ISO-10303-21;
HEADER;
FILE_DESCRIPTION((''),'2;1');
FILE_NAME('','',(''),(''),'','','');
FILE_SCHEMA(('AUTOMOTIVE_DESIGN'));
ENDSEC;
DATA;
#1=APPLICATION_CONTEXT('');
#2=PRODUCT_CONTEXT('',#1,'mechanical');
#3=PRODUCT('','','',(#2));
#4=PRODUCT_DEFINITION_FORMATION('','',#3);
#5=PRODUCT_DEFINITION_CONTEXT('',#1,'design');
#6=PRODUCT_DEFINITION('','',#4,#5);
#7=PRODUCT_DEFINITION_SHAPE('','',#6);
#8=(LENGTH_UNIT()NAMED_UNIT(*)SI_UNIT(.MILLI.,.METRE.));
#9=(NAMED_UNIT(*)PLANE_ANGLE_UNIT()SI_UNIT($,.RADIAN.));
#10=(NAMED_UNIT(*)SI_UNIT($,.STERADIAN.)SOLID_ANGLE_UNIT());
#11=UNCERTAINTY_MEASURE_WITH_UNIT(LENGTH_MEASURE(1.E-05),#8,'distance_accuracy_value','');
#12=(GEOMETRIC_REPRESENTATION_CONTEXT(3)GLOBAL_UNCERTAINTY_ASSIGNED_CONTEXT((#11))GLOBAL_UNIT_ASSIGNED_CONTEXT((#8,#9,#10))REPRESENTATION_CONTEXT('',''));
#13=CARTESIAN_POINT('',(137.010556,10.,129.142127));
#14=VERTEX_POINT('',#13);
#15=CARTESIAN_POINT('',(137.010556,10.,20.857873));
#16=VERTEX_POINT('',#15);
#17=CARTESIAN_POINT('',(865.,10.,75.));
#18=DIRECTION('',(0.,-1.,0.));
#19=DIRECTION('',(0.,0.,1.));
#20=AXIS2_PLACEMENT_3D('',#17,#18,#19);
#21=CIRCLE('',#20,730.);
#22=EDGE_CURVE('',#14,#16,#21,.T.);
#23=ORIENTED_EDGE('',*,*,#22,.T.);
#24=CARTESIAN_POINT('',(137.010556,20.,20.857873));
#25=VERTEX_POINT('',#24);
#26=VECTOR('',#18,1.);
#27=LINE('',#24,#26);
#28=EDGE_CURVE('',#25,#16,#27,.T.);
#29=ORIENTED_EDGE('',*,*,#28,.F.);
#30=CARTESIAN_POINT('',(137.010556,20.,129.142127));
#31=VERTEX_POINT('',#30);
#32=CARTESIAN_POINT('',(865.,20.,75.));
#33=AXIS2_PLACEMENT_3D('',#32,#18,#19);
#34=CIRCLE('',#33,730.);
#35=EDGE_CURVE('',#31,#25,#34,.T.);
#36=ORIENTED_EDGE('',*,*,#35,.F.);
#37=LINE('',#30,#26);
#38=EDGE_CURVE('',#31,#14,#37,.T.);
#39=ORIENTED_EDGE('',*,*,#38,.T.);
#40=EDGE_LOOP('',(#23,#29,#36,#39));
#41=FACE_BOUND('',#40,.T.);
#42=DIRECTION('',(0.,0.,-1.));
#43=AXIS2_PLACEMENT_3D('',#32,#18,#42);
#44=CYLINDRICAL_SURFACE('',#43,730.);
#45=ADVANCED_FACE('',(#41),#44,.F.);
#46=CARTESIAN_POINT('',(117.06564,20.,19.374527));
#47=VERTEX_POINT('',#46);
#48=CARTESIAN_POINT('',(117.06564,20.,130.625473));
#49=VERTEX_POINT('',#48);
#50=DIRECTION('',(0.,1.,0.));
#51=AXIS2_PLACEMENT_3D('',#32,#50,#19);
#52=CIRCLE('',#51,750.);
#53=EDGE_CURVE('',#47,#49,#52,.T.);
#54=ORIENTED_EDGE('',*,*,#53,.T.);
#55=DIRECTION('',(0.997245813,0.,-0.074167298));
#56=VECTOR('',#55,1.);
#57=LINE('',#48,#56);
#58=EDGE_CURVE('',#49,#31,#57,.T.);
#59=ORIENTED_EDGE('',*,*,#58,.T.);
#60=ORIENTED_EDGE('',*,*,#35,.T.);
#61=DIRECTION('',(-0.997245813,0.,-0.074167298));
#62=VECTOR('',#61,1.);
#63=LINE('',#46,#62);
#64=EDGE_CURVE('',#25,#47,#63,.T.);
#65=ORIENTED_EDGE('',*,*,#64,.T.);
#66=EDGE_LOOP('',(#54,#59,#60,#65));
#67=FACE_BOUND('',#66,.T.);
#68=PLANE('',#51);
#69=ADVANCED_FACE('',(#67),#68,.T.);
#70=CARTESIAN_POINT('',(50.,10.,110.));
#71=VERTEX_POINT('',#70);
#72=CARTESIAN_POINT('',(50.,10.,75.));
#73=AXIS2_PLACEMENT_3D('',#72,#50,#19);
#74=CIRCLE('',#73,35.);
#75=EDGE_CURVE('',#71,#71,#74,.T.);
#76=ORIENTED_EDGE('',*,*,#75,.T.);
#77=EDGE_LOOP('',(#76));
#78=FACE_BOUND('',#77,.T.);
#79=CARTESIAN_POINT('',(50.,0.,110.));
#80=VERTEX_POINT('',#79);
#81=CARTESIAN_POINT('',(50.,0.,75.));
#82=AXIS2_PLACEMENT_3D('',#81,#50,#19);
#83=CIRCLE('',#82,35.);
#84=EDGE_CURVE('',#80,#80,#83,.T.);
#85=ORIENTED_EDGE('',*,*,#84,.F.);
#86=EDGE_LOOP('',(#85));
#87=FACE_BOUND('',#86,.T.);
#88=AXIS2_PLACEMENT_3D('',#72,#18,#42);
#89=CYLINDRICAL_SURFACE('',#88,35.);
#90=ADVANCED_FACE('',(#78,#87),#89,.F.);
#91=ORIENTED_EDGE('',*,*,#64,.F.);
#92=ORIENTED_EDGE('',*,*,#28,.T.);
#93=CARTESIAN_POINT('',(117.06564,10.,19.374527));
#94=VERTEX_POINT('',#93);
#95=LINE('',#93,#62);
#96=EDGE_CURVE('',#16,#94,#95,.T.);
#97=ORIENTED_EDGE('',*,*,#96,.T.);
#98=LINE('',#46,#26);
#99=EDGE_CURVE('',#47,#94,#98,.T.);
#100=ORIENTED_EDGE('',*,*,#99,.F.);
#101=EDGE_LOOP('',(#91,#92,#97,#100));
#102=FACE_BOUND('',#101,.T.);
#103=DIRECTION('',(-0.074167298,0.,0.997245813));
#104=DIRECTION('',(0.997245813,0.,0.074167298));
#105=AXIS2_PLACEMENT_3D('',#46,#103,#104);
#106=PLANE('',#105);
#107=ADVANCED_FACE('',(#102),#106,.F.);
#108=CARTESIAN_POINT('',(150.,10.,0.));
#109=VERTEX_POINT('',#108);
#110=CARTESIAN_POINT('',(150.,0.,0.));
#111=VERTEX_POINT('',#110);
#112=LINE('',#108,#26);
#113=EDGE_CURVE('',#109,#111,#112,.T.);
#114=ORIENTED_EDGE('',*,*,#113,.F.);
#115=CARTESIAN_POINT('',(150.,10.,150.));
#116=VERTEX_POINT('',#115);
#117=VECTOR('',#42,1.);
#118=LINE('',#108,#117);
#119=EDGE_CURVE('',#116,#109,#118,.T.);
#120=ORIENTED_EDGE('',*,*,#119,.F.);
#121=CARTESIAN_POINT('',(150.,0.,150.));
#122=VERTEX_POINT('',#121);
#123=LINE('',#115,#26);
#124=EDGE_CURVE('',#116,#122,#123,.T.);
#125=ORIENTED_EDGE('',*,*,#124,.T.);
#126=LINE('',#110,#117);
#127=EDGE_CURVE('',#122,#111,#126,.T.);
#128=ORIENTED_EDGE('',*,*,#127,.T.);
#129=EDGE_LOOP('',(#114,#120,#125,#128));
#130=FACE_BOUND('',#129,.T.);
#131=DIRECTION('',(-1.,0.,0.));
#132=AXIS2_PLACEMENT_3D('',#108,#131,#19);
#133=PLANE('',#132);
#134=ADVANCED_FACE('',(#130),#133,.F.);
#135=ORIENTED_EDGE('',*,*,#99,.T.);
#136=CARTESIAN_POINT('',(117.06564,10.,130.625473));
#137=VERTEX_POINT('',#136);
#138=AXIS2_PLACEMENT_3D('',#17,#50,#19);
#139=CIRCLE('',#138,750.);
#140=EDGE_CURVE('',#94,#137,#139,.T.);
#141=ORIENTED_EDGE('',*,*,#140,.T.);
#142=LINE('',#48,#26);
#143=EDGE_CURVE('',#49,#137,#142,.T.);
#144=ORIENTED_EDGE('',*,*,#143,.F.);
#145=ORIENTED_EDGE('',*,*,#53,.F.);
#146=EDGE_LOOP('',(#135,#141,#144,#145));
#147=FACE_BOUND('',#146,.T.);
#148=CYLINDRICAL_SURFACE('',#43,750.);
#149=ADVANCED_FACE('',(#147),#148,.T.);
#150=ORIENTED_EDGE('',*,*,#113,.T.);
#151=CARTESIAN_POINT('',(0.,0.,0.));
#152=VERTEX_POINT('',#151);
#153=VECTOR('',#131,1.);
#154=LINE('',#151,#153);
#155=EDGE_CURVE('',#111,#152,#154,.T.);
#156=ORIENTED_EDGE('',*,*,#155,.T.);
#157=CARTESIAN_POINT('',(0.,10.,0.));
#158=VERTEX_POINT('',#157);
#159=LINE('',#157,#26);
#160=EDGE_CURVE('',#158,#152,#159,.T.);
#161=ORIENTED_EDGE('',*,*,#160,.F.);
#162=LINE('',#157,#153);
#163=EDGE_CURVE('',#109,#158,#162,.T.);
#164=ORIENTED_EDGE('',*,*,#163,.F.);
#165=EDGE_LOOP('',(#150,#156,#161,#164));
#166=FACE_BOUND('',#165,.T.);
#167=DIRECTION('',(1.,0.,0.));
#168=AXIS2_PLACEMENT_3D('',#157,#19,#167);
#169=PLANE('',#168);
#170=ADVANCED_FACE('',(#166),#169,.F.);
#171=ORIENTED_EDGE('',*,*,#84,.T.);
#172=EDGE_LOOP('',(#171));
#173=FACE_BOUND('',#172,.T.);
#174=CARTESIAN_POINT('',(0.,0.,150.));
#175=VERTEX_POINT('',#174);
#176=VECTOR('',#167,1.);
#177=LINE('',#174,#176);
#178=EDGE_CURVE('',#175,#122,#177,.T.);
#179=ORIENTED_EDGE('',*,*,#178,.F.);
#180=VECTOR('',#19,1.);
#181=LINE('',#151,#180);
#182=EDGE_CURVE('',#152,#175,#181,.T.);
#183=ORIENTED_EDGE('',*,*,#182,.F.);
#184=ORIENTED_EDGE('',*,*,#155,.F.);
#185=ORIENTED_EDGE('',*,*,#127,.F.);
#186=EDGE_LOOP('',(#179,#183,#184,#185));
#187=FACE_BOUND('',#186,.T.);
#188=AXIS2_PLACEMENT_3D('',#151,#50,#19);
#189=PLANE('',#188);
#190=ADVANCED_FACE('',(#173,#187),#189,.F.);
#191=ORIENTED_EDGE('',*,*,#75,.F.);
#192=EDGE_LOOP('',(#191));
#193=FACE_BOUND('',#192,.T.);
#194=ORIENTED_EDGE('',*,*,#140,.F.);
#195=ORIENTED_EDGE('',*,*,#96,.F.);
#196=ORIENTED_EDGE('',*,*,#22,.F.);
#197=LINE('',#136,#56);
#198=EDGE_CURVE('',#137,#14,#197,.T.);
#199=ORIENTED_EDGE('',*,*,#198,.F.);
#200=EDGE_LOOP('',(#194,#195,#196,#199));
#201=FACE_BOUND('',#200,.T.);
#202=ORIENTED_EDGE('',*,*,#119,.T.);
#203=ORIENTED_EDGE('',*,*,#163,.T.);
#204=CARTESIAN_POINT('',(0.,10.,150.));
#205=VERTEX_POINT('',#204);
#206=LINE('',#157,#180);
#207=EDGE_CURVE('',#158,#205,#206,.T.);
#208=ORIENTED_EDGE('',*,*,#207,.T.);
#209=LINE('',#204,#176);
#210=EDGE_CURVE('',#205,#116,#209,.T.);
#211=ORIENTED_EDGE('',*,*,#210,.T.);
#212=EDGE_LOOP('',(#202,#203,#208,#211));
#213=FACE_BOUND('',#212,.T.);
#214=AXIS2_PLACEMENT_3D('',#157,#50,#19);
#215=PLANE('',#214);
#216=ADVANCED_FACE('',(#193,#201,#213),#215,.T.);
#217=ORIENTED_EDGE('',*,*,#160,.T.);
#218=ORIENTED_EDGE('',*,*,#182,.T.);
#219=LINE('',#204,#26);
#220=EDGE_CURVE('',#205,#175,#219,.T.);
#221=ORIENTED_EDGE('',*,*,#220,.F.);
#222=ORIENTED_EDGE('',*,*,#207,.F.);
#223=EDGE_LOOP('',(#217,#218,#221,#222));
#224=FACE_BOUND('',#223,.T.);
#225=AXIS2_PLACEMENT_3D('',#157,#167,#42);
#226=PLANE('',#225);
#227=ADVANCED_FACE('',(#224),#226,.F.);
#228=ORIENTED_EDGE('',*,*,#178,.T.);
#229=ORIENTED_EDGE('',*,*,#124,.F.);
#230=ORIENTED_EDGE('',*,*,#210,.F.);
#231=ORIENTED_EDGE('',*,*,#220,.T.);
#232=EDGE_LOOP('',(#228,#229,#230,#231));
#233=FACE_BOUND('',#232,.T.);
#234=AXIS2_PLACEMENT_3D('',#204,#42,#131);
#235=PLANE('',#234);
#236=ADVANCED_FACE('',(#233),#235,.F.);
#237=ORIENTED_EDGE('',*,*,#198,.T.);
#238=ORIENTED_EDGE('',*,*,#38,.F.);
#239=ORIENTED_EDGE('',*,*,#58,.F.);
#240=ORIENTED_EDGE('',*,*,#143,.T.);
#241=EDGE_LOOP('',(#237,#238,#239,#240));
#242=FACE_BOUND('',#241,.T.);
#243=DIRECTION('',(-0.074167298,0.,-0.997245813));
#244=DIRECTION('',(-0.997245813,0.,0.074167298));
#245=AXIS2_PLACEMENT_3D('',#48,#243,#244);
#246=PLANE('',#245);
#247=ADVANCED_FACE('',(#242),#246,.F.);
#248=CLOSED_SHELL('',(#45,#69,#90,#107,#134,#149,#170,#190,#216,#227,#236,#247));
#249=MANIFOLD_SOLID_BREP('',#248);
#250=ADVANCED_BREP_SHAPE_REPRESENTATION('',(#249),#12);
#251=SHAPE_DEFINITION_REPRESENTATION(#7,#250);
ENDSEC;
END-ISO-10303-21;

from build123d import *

# Parameters (mm, degrees)
SKETCH1_W           = 150
SKETCH1_H           = 150
SKETCH1_R           = 35
BOSS_EXTRUDE1_DEPTH = 10
BOSS_EXTRUDE2_DEPTH = 10


with BuildPart() as part:
    # Sketch1 → Boss-Extrude1 (new body)
    with BuildSketch(Plane(origin=(0, 0, 0), x_dir=(1, 0, 0), z_dir=(0, 1, 0))):
        with Locations((75, -75)):
            Rectangle(SKETCH1_W, SKETCH1_H)
        with Locations(Location((50, -75, 0), (0, 0, 270))):
            Circle(SKETCH1_R, mode=Mode.SUBTRACT)
    extrude(amount=BOSS_EXTRUDE1_DEPTH)

    # Sketch7 → Boss-Extrude2 (add)
    with BuildSketch(Plane(origin=(0, 10, 0), x_dir=(1, 0, 0), z_dir=(0, 1, 0))):
        with BuildLine():
            Line((117.065640108, -19.374526579), (137.010556372, -20.857872537))
            ThreePointArc((137.010556372, -20.857872537), (135, -75), (137.010556372, -129.142127463))
            Line((137.010556372, -129.142127463), (117.065640108, -130.625473421))
            ThreePointArc((117.065640108, -130.625473421), (115, -75), (117.065640108, -19.374526579))
        make_face()
    extrude(amount=BOSS_EXTRUDE2_DEPTH)


solid = part.part
